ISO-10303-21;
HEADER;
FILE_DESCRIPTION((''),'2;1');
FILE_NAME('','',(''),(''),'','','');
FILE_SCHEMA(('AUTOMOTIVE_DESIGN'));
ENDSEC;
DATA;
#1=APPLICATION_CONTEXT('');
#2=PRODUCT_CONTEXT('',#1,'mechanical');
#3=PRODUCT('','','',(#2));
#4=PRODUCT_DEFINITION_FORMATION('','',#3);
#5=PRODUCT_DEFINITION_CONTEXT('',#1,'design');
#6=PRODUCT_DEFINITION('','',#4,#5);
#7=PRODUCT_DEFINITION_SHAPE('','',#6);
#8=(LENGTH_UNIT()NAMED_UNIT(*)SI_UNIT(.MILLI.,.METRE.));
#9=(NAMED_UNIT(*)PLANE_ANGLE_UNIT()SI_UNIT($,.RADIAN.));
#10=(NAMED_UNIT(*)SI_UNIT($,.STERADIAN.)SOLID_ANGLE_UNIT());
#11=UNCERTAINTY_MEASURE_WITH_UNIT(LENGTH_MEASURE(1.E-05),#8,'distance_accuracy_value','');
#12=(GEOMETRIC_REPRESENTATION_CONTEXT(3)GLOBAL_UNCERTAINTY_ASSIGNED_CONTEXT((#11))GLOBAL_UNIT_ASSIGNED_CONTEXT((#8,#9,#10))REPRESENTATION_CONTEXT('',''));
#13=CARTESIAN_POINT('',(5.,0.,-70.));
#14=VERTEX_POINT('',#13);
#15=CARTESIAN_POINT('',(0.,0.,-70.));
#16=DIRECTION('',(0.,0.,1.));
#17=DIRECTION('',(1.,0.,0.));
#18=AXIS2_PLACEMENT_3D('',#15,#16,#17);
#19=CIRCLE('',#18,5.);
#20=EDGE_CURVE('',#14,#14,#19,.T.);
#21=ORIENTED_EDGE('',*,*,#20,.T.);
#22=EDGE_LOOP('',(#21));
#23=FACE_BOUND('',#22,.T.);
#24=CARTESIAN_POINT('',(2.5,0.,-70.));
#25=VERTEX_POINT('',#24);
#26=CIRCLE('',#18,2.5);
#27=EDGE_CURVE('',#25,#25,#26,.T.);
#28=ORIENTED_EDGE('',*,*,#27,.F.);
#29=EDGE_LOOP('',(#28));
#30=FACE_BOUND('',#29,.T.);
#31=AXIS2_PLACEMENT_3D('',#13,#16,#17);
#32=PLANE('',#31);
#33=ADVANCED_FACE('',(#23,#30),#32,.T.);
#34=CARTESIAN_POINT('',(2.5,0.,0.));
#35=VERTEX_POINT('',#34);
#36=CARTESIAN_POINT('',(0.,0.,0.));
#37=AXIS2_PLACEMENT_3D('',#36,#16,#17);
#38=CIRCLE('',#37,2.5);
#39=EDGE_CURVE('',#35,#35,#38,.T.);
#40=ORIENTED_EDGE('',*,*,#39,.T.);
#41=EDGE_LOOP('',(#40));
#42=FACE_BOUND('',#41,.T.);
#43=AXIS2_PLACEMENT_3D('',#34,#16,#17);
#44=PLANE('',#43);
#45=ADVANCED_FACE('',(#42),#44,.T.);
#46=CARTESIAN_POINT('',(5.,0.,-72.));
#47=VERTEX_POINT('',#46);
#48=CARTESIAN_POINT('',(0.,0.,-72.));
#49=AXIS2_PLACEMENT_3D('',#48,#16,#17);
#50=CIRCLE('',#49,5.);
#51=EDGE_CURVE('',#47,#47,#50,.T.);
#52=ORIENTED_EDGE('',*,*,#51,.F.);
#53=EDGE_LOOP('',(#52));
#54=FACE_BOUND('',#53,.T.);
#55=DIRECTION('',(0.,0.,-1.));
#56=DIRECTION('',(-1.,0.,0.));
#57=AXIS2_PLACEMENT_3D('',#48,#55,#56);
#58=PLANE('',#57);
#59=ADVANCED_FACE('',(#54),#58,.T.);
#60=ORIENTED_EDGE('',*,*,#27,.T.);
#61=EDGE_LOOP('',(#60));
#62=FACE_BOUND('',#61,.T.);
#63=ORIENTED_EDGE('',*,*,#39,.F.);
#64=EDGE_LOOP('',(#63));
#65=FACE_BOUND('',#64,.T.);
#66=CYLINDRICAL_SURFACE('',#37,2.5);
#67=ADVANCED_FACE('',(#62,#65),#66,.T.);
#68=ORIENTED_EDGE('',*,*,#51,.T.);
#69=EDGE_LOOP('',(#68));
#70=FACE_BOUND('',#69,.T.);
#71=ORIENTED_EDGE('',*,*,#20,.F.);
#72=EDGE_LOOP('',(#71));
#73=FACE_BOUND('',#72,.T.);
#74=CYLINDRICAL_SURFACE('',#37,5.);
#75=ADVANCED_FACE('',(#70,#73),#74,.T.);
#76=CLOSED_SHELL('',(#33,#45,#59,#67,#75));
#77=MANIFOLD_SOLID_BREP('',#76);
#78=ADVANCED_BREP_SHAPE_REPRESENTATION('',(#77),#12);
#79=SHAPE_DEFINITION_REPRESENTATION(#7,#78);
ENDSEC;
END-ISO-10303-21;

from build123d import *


with BuildPart() as part:
    # Sketch1 → Revolve1 (revolve)
    with BuildSketch(Plane(origin=(0, 0, 0), x_dir=(1, 0, 0), z_dir=(0, 1, 0))):
        Polygon((0, 0), (0, 72), (5, 72), (5, 70), (2.5, 70), (2.5, 0), align=None)
    revolve(axis=Axis((0, 0, 0), (0, 0, -1)))


solid = part.part
